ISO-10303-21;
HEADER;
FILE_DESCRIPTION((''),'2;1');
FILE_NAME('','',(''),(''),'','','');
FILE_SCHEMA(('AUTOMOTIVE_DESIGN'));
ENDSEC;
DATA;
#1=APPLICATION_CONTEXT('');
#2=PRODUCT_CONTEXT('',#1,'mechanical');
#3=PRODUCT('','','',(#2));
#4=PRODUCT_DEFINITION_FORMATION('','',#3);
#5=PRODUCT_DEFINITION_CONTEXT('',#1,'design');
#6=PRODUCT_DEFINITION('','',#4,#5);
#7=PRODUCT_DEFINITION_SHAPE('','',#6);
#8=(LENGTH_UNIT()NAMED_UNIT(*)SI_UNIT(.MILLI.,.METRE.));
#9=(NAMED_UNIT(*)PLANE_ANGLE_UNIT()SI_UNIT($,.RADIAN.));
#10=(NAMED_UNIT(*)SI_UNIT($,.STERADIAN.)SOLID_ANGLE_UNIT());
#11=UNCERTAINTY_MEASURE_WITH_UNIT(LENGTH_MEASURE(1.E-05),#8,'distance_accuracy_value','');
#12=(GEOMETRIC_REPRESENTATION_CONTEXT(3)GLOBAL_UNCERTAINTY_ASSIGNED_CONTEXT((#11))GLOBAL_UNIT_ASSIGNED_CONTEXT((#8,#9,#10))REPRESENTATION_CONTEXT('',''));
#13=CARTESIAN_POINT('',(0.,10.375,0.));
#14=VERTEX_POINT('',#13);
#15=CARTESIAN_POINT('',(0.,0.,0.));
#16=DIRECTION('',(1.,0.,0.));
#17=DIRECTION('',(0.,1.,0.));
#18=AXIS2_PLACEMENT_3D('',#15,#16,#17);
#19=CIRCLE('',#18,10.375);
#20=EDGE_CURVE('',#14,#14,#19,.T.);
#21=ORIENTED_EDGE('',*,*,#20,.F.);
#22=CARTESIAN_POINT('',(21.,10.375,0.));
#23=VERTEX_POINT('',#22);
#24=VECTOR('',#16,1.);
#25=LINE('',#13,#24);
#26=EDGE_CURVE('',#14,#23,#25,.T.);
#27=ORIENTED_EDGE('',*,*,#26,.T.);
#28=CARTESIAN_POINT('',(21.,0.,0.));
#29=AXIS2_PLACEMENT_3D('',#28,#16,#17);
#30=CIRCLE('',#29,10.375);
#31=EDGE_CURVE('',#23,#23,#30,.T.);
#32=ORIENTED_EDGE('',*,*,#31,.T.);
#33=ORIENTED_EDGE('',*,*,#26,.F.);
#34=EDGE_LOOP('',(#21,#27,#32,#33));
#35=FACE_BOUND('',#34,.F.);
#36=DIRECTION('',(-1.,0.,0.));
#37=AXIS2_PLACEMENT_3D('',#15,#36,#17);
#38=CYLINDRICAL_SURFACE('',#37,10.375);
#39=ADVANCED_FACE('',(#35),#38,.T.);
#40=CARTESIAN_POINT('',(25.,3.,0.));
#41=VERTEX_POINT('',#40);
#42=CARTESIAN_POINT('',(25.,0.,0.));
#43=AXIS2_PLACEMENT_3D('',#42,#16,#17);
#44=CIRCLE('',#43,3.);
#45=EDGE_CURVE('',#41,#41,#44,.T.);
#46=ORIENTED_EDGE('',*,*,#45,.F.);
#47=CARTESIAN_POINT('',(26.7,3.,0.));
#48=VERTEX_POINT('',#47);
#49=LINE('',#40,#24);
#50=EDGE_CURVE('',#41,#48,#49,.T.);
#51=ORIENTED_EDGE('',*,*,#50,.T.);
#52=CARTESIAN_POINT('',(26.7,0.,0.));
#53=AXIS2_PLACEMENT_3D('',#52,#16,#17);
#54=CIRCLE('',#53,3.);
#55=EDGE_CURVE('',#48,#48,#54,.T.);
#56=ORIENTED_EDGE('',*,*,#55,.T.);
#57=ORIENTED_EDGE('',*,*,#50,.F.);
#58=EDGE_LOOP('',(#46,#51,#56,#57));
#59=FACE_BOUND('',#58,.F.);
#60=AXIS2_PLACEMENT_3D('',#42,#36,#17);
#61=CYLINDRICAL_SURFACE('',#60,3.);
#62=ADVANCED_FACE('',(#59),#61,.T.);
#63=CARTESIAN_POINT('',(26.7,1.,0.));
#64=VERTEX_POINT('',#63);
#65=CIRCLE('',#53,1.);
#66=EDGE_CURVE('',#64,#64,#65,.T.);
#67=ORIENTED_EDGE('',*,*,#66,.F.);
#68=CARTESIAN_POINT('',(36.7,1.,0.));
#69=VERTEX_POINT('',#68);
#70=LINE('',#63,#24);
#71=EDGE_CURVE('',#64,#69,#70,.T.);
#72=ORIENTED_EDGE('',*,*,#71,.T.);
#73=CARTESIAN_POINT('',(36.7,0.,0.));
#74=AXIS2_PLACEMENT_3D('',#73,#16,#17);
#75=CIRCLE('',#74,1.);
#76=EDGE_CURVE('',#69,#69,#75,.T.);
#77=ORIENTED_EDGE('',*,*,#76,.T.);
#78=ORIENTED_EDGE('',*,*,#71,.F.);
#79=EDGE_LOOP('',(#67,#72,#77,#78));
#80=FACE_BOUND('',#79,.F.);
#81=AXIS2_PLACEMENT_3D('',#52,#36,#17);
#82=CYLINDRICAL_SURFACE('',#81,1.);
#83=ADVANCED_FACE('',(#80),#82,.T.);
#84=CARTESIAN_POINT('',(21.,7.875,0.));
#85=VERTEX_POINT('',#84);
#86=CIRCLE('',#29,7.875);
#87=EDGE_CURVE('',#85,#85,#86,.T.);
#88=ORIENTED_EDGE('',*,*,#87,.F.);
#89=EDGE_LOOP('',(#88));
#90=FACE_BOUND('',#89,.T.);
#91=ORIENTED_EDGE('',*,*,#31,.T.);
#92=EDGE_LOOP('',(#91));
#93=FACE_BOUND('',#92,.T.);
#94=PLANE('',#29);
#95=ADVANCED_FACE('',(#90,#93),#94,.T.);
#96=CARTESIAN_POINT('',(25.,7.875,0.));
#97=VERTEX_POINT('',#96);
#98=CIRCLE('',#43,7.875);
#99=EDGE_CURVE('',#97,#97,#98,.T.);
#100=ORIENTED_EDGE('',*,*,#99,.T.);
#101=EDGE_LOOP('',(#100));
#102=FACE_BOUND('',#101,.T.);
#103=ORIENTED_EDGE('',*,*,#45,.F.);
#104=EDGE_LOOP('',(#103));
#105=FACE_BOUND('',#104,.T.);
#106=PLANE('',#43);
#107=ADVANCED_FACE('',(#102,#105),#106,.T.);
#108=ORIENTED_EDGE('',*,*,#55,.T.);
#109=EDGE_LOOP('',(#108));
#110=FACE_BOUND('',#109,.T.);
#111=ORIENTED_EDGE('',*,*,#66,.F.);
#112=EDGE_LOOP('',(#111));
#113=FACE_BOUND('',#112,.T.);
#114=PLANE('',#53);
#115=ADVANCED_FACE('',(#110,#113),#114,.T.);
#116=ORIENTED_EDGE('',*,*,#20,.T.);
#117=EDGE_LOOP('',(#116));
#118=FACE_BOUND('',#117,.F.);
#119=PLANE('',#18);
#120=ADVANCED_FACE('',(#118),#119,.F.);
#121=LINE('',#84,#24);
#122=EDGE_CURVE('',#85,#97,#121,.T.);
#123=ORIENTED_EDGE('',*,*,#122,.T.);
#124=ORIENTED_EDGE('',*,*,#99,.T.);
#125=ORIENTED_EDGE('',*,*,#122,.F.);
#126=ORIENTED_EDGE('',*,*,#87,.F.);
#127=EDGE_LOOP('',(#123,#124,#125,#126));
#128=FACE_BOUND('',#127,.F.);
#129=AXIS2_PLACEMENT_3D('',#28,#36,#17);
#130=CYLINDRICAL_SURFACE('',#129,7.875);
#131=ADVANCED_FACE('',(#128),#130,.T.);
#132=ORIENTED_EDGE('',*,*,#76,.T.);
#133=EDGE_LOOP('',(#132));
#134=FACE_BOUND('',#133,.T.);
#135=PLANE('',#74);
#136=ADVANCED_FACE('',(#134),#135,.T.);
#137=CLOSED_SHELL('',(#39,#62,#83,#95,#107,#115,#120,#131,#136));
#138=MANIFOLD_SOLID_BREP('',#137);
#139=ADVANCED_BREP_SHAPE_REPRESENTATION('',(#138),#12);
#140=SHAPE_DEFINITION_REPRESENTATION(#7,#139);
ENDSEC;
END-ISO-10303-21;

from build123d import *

# Parameters (mm, degrees)
SKETCH_R     = 10.375
PAD_DEPTH    = 21
SKETCH001_R  = 7.875
PAD001_DEPTH = 4
SKETCH002_R  = 3
PAD002_DEPTH = 1.7
SKETCH003_R  = 1
PAD003_DEPTH = 10


with BuildPart() as part:
    # Sketch → Pad (new body)
    with BuildSketch(Plane.YZ):
        Circle(SKETCH_R)
    extrude(amount=PAD_DEPTH)

    # Sketch001 (on Face3 of Pad) → Pad001 (join)
    with BuildSketch(Plane.YZ.offset(21)):
        Circle(SKETCH001_R)
    extrude(amount=PAD001_DEPTH)

    # Sketch002 (on Face5 of Pad001) → Pad002 (join)
    with BuildSketch(Plane.YZ.offset(25)):
        Circle(SKETCH002_R)
    extrude(amount=PAD002_DEPTH)

    # Sketch003 (on Face7 of Pad002) → Pad003 (join)
    with BuildSketch(Plane.YZ.offset(26.7)):
        Circle(SKETCH003_R)
    extrude(amount=PAD003_DEPTH)


solid = part.part
